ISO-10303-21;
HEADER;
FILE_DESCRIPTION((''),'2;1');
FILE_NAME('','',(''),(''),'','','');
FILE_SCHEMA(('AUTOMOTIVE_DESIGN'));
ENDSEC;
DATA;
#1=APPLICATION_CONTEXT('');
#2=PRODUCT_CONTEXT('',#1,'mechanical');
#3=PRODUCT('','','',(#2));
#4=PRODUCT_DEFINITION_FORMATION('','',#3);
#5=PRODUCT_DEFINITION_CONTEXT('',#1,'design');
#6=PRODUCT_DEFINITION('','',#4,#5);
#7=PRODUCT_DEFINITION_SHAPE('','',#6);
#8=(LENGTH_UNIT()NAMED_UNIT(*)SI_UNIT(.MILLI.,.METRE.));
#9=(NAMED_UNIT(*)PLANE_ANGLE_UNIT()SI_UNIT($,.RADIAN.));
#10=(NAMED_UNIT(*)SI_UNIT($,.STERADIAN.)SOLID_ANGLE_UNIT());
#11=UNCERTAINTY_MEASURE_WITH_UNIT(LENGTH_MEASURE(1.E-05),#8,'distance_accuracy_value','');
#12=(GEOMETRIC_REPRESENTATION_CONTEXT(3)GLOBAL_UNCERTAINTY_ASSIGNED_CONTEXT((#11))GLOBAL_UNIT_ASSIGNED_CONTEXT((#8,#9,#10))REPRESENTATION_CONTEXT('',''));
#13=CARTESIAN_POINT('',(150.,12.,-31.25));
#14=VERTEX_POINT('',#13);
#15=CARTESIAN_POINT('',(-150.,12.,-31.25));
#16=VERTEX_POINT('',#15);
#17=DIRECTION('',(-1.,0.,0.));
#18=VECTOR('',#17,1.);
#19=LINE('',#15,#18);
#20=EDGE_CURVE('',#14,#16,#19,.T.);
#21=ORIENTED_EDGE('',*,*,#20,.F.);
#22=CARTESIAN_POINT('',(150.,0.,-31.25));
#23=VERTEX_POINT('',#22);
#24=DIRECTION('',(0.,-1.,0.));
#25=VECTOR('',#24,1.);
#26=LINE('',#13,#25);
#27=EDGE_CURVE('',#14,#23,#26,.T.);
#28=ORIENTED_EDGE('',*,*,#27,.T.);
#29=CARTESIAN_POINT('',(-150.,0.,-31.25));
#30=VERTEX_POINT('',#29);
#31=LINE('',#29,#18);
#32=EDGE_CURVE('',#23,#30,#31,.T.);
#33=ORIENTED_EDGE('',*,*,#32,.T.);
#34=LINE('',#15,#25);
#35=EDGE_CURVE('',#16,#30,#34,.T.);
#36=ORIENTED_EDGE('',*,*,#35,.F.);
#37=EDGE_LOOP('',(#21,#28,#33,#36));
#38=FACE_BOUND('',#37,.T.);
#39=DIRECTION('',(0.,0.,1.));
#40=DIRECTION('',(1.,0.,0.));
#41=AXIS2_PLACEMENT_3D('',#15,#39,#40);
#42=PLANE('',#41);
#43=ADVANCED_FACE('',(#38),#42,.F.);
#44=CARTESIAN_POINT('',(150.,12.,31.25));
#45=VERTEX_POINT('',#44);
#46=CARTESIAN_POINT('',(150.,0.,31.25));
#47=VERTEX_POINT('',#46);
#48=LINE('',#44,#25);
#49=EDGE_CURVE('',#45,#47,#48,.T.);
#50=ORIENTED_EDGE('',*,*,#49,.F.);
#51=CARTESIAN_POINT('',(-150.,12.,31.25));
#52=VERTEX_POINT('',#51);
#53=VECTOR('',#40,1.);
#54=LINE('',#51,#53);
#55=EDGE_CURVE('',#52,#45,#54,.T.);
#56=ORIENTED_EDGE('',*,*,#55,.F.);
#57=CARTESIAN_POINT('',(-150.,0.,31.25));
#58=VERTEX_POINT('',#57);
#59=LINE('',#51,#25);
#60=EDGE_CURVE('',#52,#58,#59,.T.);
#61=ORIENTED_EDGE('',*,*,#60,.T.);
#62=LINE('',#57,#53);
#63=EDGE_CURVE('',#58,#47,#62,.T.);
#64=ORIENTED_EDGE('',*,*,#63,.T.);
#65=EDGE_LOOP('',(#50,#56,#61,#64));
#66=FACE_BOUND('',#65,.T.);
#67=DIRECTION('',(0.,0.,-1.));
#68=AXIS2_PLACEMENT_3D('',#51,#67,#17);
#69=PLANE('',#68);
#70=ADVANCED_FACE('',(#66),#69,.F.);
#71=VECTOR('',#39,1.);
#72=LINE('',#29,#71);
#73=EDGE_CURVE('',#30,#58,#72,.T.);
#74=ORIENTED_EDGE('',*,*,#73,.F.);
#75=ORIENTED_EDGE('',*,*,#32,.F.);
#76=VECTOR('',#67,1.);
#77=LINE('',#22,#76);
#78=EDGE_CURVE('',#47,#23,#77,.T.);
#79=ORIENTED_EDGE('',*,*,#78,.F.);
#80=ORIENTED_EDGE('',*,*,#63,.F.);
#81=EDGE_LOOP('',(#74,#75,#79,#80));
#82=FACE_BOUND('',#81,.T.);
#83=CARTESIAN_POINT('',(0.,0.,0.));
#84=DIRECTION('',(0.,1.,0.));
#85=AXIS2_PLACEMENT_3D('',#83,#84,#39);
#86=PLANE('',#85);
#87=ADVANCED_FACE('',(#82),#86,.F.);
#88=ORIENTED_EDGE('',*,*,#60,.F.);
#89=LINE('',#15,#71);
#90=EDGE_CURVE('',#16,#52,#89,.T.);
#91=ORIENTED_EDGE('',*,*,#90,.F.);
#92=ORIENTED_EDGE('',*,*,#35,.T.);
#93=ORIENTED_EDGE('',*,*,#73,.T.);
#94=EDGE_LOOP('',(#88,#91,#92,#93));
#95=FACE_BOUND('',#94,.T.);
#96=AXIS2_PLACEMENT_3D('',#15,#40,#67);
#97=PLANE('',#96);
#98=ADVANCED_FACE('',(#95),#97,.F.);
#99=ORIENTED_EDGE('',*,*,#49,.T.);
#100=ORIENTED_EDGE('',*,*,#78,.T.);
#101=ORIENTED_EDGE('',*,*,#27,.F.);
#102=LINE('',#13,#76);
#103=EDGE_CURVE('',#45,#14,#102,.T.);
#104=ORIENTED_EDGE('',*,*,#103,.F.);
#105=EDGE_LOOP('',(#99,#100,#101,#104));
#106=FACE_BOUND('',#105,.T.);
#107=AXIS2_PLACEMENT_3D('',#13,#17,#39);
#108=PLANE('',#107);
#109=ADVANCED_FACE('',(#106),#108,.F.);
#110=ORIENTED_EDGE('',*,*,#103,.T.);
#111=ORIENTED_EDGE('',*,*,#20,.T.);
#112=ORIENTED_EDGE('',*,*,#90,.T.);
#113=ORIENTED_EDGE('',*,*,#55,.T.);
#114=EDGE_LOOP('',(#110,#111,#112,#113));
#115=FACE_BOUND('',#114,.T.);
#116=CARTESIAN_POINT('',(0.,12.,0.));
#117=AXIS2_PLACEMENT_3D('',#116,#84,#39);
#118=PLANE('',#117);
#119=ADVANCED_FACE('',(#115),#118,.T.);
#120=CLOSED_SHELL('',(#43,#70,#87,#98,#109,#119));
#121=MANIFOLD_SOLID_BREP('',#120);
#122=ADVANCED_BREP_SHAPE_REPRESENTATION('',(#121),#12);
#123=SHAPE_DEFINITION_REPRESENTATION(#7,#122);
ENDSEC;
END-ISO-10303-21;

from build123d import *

# Parameters (mm, degrees)
SKETCH1_W           = 300
SKETCH1_H           = 62.5
BOSS_EXTRUDE1_DEPTH = 12


with BuildPart() as part:
    # Sketch1 → Boss-Extrude1 (new body)
    with BuildSketch(Plane(origin=(0, 0, 0), x_dir=(1, 0, 0), z_dir=(0, 1, 0))):
        Rectangle(SKETCH1_W, SKETCH1_H)
    extrude(amount=BOSS_EXTRUDE1_DEPTH)


solid = part.part
